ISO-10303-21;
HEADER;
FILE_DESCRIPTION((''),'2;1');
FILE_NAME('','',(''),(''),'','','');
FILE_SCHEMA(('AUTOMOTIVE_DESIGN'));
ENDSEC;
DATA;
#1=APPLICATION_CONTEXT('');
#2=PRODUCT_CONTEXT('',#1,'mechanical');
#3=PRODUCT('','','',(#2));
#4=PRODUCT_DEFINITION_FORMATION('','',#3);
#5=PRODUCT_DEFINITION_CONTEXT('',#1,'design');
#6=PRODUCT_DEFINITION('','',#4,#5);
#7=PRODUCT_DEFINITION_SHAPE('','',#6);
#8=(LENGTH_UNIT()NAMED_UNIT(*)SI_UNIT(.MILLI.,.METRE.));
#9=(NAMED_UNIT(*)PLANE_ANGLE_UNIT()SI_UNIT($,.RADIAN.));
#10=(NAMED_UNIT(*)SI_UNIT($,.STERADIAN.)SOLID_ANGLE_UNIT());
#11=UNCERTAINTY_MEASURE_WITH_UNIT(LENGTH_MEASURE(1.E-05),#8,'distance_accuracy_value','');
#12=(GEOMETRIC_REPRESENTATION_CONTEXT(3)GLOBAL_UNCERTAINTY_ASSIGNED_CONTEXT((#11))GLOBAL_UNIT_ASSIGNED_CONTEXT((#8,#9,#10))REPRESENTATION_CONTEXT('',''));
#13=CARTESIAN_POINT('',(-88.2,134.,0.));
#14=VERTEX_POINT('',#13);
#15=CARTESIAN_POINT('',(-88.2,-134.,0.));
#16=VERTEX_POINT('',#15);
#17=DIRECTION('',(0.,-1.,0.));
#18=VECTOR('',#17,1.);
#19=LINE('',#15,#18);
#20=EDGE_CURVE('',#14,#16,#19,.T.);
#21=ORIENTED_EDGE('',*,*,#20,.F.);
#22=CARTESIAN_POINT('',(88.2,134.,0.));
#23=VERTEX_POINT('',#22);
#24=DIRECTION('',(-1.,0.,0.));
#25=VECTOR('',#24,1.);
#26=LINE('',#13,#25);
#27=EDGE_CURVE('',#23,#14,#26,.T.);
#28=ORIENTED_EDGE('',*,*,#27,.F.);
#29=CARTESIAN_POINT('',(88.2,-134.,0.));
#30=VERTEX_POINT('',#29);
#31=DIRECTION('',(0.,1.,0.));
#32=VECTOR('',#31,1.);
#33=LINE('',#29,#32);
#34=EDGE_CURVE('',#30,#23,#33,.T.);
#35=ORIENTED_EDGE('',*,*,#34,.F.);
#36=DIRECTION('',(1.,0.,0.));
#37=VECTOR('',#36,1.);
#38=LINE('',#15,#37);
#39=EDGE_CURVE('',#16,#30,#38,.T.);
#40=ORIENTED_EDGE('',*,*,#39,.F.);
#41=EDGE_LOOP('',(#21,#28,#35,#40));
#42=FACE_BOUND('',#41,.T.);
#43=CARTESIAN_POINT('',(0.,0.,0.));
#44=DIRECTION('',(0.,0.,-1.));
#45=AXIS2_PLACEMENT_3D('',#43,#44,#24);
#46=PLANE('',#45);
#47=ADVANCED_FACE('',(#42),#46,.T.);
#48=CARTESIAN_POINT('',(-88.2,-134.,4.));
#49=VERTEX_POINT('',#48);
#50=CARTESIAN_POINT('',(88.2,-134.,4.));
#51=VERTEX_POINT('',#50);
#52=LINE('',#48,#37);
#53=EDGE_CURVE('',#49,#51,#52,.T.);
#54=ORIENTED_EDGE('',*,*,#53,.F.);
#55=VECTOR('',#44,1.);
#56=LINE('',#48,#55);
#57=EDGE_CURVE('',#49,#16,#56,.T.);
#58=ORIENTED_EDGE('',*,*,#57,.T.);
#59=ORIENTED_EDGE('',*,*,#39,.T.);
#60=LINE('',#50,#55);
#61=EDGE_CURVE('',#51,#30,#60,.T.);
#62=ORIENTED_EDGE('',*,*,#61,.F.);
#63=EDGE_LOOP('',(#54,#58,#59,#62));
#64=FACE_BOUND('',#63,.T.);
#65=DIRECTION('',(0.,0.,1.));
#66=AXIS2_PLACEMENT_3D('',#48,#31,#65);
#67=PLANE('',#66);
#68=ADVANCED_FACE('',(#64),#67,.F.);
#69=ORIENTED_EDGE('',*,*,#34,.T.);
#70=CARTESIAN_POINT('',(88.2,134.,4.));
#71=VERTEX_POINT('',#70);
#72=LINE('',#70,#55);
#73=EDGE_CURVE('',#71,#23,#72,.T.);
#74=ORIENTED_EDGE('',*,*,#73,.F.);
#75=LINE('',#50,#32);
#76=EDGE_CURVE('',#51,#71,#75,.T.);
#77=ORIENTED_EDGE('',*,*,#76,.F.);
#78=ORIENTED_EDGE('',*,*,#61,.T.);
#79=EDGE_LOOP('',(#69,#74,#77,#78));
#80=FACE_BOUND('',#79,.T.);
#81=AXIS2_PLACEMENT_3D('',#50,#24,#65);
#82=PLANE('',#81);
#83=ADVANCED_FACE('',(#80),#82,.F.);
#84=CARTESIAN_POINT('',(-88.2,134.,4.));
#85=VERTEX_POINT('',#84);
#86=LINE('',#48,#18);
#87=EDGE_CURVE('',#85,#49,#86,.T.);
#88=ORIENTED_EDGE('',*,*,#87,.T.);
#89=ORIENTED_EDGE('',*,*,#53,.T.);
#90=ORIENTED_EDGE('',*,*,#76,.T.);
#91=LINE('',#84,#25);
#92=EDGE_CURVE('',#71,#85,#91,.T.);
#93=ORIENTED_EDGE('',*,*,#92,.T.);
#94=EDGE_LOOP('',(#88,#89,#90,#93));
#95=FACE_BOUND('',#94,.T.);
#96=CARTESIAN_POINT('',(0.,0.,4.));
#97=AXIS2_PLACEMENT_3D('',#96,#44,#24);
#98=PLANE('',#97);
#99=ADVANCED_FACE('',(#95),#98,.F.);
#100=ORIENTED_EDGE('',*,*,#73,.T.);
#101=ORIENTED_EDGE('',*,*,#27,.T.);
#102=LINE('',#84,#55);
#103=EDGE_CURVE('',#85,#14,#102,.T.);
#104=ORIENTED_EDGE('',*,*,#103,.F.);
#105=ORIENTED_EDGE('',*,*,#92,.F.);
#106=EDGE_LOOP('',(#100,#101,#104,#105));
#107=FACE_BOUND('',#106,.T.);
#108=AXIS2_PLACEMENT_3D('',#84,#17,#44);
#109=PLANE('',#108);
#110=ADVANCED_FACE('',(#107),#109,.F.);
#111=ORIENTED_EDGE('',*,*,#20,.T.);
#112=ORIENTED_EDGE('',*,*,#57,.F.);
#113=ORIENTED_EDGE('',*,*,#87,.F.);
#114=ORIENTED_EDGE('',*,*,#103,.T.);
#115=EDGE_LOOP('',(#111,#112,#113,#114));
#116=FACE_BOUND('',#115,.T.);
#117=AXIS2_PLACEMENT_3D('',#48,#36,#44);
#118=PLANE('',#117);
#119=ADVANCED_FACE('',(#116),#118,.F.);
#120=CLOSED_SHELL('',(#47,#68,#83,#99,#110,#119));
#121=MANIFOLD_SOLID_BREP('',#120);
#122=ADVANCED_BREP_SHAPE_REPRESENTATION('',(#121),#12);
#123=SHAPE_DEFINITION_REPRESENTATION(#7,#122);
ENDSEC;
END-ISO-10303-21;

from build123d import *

# Parameters (mm, degrees)
SKETCH1_W      = 176.4
SKETCH1_H      = 268
EXTRUDE1_DEPTH = 4


with BuildPart() as part:
    # Sketch1 → Extrude1 (new body)
    with BuildSketch(Plane.XY):
        Rectangle(SKETCH1_W, SKETCH1_H)
    extrude(amount=EXTRUDE1_DEPTH)


solid = part.part
